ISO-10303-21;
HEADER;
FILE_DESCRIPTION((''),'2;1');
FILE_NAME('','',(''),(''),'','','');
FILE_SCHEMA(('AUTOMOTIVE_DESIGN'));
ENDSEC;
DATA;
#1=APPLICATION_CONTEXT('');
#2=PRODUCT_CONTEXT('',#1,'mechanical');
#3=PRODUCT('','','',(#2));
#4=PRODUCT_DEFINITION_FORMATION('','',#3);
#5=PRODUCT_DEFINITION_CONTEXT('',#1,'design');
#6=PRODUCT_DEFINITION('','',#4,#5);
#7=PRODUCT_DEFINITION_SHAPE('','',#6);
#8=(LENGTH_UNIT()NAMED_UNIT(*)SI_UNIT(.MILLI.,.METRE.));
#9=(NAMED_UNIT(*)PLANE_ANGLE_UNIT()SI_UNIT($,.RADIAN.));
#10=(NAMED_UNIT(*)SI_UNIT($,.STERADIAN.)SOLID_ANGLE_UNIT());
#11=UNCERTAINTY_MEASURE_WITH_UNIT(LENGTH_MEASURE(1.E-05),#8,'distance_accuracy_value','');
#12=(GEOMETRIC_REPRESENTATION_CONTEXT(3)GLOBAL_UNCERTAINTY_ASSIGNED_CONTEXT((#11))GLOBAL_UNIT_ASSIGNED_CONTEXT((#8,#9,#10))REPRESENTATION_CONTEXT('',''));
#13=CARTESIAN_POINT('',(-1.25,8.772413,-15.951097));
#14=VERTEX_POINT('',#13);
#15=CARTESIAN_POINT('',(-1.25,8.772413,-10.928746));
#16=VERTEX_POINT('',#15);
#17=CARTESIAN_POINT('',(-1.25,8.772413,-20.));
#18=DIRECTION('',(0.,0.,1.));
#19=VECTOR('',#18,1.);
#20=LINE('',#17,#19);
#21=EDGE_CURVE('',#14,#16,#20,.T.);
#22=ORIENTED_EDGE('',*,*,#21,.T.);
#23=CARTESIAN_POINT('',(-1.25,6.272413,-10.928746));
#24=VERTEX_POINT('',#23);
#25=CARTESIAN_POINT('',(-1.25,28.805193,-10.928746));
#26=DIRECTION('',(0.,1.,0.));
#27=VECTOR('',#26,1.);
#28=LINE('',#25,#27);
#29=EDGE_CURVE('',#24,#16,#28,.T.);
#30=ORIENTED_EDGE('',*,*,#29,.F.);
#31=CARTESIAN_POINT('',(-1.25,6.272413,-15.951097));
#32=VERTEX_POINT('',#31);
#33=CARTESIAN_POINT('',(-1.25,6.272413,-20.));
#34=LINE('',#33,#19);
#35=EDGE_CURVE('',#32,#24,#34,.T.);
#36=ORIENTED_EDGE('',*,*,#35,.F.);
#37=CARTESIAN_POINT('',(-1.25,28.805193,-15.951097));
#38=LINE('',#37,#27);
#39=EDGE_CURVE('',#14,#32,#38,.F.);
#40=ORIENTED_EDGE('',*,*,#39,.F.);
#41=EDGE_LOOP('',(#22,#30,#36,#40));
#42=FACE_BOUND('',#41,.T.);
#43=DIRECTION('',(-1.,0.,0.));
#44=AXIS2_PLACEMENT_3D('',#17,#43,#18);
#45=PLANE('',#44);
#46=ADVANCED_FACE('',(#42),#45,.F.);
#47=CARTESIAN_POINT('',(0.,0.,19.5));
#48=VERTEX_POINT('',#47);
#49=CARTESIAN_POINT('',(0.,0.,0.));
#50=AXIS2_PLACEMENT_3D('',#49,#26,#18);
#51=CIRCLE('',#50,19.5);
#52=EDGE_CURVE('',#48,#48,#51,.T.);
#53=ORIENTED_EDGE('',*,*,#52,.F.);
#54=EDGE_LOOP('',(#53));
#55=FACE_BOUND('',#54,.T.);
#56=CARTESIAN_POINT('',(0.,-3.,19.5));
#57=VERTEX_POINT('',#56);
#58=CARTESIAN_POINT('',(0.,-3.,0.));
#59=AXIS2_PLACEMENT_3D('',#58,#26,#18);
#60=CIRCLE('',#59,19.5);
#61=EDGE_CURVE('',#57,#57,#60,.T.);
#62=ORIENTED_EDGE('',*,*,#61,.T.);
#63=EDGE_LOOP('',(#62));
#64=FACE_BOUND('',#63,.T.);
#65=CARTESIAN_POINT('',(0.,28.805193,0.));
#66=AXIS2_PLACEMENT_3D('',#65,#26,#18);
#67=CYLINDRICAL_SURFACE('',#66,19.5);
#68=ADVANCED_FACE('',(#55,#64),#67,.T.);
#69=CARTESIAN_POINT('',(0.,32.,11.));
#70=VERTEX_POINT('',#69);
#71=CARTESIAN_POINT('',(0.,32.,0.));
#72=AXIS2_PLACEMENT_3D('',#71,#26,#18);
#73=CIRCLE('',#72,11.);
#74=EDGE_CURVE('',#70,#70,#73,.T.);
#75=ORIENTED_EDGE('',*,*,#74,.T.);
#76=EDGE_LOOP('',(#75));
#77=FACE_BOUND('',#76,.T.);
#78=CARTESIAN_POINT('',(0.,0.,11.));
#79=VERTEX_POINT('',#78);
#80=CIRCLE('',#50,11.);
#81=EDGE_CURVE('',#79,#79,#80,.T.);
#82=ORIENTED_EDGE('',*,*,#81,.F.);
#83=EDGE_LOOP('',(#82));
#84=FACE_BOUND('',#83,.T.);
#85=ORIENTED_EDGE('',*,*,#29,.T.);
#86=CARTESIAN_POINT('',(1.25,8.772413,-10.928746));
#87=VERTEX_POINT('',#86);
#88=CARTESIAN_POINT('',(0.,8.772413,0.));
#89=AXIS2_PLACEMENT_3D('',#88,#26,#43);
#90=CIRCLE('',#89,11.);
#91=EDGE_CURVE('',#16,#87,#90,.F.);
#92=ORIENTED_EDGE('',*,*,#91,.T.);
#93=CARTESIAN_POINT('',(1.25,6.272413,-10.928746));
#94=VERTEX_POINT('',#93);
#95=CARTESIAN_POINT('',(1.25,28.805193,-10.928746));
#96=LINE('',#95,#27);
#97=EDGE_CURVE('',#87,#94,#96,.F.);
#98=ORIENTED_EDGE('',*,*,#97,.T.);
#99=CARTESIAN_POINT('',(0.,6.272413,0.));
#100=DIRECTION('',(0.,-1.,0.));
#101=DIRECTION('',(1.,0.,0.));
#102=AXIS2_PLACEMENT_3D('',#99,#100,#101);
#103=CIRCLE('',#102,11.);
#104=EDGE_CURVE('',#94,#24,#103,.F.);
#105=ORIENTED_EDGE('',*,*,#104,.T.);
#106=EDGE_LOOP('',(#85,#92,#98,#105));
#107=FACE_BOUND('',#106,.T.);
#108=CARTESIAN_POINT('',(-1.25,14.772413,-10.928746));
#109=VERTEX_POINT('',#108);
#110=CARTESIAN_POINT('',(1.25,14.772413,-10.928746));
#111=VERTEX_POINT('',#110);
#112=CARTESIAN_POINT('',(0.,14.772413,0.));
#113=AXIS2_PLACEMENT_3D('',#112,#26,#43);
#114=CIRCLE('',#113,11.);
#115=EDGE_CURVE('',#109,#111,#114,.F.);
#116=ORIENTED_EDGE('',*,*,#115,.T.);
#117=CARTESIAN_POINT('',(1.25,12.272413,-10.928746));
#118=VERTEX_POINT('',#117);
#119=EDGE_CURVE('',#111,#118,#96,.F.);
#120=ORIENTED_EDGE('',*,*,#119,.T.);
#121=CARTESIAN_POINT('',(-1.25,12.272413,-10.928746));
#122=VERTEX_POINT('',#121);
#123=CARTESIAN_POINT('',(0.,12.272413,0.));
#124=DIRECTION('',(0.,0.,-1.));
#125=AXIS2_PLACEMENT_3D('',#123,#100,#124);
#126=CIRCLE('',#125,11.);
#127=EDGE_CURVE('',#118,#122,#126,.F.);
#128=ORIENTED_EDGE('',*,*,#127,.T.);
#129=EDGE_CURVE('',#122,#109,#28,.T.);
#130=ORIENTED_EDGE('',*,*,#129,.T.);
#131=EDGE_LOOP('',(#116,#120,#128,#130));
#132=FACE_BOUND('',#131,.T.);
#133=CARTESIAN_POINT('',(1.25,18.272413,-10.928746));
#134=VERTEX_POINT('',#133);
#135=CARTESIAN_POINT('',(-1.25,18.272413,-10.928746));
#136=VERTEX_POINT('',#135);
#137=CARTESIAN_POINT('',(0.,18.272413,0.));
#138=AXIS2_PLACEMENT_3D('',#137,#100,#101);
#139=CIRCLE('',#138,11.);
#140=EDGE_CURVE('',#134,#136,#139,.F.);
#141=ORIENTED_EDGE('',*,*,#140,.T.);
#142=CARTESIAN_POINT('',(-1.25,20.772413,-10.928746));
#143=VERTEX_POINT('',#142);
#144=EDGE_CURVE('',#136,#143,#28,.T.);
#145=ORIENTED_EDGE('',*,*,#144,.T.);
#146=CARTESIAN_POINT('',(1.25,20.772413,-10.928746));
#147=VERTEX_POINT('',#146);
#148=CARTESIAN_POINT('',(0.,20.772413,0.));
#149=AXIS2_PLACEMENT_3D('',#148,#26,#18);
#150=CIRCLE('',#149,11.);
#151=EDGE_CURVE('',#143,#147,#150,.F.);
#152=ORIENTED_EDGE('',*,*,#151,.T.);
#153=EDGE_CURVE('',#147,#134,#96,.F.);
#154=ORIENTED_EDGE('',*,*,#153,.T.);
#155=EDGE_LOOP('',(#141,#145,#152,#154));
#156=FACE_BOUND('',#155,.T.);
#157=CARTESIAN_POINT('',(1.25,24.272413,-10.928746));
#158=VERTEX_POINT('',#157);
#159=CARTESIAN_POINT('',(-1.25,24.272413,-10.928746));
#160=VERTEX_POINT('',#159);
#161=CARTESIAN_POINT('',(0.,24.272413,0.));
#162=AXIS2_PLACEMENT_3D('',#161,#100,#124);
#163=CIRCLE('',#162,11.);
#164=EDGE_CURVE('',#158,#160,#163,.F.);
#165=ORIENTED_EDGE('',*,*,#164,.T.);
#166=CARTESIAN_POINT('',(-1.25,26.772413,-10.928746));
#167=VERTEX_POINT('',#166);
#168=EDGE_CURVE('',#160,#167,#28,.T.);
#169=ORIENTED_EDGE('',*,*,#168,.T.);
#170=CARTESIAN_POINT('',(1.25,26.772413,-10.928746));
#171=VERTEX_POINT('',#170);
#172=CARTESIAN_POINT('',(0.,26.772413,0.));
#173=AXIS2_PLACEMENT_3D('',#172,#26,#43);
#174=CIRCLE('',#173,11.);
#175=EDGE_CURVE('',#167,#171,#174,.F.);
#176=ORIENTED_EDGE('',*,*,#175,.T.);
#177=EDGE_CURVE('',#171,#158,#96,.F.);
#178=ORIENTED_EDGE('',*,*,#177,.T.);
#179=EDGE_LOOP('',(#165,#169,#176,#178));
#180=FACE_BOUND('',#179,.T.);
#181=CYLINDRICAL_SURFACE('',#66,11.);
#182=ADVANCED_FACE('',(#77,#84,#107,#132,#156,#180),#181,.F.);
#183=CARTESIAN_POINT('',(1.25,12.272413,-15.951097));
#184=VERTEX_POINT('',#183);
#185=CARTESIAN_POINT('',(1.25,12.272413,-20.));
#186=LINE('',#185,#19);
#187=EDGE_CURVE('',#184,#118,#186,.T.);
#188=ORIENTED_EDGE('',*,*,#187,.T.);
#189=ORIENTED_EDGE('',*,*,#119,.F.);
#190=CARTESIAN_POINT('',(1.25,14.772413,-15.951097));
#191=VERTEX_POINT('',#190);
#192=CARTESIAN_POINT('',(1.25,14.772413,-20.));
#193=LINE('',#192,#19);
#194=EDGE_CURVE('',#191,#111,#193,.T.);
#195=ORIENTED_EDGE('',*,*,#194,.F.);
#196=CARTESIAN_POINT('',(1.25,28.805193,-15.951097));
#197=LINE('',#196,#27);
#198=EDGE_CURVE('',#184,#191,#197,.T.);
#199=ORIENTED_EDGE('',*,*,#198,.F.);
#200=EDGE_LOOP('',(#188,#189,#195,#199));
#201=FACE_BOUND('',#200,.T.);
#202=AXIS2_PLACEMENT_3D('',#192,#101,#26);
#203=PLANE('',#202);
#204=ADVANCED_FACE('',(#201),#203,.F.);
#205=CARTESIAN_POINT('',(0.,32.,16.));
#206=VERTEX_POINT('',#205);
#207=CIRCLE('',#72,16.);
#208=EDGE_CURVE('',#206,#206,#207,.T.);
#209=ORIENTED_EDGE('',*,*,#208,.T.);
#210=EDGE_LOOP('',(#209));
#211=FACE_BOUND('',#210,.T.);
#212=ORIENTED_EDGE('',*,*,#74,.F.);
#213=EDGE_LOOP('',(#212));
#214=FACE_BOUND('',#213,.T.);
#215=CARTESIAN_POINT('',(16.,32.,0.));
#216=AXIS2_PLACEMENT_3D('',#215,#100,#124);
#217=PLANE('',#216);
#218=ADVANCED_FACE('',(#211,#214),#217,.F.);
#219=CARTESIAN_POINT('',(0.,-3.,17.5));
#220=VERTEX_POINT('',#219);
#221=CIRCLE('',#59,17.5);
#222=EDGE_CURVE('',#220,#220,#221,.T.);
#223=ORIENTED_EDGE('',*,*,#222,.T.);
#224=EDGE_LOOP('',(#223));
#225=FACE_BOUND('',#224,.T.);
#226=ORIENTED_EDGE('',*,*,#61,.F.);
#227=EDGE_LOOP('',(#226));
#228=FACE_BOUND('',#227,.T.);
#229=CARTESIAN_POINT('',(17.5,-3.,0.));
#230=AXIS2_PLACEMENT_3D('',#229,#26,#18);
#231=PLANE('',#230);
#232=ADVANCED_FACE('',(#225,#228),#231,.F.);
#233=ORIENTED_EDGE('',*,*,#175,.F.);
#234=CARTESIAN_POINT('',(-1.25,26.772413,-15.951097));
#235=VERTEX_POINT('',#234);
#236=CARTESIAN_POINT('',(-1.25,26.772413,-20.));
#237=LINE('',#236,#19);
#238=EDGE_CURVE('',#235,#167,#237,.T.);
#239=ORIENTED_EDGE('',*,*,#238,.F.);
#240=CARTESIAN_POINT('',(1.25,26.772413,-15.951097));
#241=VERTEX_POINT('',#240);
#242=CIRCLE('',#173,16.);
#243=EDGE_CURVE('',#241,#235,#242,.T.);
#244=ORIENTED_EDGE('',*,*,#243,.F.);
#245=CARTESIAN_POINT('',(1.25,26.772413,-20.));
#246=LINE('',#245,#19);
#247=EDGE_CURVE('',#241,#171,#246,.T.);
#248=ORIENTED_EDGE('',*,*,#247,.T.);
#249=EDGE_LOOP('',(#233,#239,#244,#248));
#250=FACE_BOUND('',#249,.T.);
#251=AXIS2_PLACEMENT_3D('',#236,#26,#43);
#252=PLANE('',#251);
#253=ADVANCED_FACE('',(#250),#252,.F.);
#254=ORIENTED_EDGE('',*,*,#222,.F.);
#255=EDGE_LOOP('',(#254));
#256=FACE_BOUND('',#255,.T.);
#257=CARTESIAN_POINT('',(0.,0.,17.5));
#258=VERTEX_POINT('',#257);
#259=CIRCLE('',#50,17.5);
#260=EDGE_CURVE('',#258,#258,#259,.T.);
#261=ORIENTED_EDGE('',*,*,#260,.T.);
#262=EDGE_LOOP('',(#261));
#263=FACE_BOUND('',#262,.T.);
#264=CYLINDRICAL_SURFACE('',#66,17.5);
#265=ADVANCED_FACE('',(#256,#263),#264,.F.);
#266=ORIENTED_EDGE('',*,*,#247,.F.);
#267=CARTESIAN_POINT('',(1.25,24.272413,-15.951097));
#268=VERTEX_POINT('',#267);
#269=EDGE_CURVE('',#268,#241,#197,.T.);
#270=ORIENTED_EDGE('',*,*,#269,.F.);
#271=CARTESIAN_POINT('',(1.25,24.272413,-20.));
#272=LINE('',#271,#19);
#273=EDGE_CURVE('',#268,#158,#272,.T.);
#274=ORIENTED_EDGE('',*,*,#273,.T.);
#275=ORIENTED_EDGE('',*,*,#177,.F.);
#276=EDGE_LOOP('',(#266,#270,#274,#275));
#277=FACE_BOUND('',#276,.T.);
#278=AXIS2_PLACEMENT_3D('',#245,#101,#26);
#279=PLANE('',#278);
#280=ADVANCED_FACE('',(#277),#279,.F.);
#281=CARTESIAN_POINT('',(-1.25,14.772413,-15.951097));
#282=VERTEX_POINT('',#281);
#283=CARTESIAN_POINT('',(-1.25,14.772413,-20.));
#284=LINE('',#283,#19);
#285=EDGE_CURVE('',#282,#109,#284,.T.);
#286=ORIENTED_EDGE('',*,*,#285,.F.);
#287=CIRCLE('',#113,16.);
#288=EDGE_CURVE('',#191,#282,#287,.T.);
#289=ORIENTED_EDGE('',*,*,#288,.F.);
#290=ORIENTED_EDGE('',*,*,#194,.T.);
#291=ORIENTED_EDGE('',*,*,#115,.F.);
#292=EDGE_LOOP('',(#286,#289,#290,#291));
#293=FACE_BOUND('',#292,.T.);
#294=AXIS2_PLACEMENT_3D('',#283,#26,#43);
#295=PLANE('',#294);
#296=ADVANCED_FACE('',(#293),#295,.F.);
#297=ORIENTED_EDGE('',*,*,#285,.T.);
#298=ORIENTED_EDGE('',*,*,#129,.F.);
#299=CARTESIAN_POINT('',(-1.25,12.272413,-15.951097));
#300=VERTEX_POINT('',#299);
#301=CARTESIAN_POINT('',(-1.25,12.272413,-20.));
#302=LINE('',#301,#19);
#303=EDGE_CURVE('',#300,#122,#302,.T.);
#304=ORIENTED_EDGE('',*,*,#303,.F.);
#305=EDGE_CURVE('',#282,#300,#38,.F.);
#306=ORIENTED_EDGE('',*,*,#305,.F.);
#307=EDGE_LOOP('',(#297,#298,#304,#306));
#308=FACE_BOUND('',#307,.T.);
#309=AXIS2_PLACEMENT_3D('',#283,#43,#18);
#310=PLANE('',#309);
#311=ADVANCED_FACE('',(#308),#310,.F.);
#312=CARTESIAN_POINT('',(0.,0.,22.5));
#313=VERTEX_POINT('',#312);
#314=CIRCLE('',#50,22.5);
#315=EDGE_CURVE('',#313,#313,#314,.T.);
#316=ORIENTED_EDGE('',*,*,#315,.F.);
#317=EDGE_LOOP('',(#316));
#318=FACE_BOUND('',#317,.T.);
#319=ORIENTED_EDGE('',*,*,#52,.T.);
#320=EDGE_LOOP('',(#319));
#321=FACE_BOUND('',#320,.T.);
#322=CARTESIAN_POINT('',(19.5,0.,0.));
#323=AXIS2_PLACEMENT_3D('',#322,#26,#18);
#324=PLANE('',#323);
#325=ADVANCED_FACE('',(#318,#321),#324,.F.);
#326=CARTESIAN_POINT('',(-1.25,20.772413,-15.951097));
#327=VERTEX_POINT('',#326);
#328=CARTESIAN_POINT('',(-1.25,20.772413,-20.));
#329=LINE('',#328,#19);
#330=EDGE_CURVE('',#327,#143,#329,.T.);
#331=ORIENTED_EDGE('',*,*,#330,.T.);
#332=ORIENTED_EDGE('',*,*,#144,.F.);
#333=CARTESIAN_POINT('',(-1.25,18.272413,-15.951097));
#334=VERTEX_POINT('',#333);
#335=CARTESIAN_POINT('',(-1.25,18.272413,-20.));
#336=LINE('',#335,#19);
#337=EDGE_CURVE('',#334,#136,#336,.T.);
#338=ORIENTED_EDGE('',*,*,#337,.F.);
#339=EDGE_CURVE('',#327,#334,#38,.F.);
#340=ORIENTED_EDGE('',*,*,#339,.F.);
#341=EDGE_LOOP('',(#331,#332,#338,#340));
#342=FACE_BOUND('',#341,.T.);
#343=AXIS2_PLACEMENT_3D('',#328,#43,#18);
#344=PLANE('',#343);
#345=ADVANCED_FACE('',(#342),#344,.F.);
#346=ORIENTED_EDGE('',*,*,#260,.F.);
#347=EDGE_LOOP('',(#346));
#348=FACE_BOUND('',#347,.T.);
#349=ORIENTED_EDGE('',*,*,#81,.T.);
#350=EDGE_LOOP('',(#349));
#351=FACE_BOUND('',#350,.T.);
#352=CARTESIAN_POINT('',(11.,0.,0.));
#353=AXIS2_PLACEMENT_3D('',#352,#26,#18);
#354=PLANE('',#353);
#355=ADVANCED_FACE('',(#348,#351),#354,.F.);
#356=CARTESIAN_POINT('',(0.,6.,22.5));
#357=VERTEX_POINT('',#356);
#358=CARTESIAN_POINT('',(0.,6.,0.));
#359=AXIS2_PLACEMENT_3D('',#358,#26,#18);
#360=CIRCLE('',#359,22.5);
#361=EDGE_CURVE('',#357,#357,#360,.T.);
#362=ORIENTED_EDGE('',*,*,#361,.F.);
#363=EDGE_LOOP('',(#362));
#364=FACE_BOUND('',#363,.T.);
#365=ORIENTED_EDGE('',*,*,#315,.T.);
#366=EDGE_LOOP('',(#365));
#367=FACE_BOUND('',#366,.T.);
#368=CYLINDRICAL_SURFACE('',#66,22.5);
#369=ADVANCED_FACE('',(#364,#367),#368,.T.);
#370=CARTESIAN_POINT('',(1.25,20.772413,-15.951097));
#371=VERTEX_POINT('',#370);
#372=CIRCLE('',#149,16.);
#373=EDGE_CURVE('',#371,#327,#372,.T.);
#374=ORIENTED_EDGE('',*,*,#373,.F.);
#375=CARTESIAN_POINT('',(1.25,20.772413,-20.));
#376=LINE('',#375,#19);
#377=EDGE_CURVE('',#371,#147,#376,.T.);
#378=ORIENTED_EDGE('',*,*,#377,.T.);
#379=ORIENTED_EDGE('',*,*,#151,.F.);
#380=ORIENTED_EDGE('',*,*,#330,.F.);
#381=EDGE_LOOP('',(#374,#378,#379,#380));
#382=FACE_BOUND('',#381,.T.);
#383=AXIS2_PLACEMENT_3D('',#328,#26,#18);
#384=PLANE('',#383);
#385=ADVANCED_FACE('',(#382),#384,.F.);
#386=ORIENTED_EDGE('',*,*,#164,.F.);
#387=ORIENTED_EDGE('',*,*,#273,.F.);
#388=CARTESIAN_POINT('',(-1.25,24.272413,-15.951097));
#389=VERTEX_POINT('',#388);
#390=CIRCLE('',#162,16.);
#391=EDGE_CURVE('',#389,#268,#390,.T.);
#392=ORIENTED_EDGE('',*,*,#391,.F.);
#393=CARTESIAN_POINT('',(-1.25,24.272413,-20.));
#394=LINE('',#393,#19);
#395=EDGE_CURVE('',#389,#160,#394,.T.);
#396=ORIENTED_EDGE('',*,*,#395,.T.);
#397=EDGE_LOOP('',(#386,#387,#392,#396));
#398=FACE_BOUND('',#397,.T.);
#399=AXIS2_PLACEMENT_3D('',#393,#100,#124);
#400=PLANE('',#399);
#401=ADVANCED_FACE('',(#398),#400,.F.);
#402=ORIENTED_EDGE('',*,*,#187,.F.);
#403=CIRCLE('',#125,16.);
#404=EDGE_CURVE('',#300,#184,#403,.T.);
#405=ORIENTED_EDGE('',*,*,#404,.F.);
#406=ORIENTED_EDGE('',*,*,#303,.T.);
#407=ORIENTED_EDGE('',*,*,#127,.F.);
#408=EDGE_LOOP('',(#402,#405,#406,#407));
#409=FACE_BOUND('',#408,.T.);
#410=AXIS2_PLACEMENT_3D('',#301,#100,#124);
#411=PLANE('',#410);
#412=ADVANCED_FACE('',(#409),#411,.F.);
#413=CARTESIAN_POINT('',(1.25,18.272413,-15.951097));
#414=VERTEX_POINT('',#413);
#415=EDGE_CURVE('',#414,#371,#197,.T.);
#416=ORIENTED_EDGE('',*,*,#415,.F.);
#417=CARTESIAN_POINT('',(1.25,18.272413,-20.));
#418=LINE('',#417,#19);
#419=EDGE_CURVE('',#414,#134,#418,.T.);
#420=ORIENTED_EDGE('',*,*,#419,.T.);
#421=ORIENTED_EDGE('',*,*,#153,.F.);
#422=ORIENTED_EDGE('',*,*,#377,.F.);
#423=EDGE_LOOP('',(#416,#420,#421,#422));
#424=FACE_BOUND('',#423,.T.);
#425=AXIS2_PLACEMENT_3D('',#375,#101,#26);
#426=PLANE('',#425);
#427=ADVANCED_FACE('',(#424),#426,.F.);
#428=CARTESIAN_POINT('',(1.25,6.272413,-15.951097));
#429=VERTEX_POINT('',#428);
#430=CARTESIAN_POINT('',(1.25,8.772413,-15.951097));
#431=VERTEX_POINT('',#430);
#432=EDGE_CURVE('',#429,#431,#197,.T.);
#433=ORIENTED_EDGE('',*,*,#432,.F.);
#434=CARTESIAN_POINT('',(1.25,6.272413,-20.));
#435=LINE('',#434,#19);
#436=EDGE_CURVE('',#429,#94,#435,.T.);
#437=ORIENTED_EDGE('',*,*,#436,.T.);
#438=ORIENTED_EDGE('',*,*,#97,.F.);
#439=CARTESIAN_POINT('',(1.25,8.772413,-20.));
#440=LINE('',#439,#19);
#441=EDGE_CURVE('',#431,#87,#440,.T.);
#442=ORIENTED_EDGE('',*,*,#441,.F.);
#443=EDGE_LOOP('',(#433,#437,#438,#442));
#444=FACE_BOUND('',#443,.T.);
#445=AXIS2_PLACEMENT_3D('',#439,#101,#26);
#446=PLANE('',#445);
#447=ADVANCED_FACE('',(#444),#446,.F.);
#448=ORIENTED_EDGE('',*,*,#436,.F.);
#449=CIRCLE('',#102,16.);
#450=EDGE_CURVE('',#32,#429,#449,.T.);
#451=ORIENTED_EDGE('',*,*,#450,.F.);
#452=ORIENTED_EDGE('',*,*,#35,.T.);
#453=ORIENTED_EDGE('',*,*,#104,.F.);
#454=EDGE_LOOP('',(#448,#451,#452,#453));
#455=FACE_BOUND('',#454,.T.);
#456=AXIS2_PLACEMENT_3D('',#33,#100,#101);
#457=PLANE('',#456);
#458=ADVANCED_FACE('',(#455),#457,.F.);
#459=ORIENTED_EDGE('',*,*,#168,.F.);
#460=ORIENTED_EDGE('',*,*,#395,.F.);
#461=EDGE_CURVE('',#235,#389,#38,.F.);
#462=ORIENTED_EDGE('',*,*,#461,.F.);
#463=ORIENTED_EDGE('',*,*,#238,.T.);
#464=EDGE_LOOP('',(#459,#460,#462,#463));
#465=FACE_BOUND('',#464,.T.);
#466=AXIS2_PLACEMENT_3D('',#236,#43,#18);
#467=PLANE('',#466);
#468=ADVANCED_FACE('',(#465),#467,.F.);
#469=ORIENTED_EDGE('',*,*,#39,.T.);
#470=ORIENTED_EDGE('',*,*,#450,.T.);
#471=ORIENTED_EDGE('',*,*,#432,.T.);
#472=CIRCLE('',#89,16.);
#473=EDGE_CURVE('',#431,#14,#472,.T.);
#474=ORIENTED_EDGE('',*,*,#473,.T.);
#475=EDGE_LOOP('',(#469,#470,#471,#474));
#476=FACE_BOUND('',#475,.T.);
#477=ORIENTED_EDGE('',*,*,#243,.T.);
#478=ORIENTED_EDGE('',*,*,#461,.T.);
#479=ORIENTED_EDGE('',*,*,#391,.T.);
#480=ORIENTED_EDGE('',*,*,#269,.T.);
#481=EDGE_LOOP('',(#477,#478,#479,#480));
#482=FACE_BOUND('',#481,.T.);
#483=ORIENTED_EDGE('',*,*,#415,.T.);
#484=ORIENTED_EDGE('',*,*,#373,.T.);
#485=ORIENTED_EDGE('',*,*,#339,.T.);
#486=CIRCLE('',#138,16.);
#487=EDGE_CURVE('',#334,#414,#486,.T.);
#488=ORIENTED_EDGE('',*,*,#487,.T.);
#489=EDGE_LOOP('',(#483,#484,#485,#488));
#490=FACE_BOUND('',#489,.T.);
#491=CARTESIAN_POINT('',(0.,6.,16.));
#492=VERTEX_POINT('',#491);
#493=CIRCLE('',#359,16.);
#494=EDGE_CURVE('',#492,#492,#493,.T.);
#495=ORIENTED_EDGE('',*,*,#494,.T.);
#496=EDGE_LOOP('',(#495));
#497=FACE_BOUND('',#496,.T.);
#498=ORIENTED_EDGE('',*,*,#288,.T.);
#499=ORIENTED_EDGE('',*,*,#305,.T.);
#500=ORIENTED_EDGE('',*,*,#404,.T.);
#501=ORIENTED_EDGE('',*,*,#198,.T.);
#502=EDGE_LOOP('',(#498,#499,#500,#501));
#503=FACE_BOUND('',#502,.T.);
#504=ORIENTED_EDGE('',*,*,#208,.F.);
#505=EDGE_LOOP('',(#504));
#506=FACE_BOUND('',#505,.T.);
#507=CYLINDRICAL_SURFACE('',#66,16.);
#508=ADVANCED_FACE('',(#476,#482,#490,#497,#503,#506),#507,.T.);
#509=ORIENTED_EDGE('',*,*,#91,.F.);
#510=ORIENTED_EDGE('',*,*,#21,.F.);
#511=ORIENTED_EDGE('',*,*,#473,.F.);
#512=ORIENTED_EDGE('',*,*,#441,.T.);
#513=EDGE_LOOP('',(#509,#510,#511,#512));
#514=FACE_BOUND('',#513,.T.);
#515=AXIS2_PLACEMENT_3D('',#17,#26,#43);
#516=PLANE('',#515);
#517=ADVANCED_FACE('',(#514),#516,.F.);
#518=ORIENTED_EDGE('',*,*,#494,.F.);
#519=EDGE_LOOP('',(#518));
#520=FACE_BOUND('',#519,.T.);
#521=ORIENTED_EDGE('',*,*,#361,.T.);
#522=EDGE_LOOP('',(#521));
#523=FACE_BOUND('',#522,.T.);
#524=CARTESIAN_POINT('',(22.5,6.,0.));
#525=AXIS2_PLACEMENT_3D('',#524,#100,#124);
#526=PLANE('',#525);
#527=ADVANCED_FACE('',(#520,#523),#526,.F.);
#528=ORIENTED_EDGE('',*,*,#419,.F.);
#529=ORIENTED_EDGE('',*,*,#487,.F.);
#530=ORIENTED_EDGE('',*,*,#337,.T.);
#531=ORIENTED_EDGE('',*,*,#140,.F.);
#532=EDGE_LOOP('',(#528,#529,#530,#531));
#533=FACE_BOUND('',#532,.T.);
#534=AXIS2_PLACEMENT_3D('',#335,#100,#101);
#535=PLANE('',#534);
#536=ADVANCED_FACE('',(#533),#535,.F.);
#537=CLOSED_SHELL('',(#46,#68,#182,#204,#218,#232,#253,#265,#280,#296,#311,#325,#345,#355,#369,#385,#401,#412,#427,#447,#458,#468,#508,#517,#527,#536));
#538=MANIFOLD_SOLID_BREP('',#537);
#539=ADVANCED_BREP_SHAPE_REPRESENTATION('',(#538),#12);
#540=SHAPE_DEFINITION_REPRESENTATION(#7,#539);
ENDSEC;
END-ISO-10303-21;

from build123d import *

# Parameters (mm, degrees)
SKETCH4_W          = 2.5
SKETCH4_H          = 2.5
CUT_EXTRUDE1_DEPTH = 20


with BuildPart() as part:
    # Sketch2 → Revolve1 (revolve)
    with BuildSketch(Plane.XY, mode=Mode.PRIVATE) as revolve1_sk:
        Polygon((11, 0), (17.5, 0), (17.5, -3), (19.5, -3), (19.5, 0), (22.5, 0), (22.5, 6), (16, 6), (16, 32), (11, 32), (11, 6), align=None)
    revolve(revolve1_sk.sketch.rotate(Axis((0, 28.805193162, 0), (0, 1, 0)), 270), axis=Axis((0, 28.805193162, 0), (0, 1, 0)))

    # Sketch4 → Cut-Extrude1 (cut)
    with BuildSketch(Plane.XY):
        with Locations((0, 13.522413215)):
            Rectangle(SKETCH4_W, SKETCH4_H)
        with Locations((0, 7.522413215)):
            Rectangle(SKETCH4_W, SKETCH4_H)
        with Locations((0, 19.522413215)):
            Rectangle(SKETCH4_W, SKETCH4_H)
        with Locations((0, 25.522413215)):
            Rectangle(SKETCH4_W, SKETCH4_H)
    extrude(amount=-CUT_EXTRUDE1_DEPTH, mode=Mode.SUBTRACT)


solid = part.part
